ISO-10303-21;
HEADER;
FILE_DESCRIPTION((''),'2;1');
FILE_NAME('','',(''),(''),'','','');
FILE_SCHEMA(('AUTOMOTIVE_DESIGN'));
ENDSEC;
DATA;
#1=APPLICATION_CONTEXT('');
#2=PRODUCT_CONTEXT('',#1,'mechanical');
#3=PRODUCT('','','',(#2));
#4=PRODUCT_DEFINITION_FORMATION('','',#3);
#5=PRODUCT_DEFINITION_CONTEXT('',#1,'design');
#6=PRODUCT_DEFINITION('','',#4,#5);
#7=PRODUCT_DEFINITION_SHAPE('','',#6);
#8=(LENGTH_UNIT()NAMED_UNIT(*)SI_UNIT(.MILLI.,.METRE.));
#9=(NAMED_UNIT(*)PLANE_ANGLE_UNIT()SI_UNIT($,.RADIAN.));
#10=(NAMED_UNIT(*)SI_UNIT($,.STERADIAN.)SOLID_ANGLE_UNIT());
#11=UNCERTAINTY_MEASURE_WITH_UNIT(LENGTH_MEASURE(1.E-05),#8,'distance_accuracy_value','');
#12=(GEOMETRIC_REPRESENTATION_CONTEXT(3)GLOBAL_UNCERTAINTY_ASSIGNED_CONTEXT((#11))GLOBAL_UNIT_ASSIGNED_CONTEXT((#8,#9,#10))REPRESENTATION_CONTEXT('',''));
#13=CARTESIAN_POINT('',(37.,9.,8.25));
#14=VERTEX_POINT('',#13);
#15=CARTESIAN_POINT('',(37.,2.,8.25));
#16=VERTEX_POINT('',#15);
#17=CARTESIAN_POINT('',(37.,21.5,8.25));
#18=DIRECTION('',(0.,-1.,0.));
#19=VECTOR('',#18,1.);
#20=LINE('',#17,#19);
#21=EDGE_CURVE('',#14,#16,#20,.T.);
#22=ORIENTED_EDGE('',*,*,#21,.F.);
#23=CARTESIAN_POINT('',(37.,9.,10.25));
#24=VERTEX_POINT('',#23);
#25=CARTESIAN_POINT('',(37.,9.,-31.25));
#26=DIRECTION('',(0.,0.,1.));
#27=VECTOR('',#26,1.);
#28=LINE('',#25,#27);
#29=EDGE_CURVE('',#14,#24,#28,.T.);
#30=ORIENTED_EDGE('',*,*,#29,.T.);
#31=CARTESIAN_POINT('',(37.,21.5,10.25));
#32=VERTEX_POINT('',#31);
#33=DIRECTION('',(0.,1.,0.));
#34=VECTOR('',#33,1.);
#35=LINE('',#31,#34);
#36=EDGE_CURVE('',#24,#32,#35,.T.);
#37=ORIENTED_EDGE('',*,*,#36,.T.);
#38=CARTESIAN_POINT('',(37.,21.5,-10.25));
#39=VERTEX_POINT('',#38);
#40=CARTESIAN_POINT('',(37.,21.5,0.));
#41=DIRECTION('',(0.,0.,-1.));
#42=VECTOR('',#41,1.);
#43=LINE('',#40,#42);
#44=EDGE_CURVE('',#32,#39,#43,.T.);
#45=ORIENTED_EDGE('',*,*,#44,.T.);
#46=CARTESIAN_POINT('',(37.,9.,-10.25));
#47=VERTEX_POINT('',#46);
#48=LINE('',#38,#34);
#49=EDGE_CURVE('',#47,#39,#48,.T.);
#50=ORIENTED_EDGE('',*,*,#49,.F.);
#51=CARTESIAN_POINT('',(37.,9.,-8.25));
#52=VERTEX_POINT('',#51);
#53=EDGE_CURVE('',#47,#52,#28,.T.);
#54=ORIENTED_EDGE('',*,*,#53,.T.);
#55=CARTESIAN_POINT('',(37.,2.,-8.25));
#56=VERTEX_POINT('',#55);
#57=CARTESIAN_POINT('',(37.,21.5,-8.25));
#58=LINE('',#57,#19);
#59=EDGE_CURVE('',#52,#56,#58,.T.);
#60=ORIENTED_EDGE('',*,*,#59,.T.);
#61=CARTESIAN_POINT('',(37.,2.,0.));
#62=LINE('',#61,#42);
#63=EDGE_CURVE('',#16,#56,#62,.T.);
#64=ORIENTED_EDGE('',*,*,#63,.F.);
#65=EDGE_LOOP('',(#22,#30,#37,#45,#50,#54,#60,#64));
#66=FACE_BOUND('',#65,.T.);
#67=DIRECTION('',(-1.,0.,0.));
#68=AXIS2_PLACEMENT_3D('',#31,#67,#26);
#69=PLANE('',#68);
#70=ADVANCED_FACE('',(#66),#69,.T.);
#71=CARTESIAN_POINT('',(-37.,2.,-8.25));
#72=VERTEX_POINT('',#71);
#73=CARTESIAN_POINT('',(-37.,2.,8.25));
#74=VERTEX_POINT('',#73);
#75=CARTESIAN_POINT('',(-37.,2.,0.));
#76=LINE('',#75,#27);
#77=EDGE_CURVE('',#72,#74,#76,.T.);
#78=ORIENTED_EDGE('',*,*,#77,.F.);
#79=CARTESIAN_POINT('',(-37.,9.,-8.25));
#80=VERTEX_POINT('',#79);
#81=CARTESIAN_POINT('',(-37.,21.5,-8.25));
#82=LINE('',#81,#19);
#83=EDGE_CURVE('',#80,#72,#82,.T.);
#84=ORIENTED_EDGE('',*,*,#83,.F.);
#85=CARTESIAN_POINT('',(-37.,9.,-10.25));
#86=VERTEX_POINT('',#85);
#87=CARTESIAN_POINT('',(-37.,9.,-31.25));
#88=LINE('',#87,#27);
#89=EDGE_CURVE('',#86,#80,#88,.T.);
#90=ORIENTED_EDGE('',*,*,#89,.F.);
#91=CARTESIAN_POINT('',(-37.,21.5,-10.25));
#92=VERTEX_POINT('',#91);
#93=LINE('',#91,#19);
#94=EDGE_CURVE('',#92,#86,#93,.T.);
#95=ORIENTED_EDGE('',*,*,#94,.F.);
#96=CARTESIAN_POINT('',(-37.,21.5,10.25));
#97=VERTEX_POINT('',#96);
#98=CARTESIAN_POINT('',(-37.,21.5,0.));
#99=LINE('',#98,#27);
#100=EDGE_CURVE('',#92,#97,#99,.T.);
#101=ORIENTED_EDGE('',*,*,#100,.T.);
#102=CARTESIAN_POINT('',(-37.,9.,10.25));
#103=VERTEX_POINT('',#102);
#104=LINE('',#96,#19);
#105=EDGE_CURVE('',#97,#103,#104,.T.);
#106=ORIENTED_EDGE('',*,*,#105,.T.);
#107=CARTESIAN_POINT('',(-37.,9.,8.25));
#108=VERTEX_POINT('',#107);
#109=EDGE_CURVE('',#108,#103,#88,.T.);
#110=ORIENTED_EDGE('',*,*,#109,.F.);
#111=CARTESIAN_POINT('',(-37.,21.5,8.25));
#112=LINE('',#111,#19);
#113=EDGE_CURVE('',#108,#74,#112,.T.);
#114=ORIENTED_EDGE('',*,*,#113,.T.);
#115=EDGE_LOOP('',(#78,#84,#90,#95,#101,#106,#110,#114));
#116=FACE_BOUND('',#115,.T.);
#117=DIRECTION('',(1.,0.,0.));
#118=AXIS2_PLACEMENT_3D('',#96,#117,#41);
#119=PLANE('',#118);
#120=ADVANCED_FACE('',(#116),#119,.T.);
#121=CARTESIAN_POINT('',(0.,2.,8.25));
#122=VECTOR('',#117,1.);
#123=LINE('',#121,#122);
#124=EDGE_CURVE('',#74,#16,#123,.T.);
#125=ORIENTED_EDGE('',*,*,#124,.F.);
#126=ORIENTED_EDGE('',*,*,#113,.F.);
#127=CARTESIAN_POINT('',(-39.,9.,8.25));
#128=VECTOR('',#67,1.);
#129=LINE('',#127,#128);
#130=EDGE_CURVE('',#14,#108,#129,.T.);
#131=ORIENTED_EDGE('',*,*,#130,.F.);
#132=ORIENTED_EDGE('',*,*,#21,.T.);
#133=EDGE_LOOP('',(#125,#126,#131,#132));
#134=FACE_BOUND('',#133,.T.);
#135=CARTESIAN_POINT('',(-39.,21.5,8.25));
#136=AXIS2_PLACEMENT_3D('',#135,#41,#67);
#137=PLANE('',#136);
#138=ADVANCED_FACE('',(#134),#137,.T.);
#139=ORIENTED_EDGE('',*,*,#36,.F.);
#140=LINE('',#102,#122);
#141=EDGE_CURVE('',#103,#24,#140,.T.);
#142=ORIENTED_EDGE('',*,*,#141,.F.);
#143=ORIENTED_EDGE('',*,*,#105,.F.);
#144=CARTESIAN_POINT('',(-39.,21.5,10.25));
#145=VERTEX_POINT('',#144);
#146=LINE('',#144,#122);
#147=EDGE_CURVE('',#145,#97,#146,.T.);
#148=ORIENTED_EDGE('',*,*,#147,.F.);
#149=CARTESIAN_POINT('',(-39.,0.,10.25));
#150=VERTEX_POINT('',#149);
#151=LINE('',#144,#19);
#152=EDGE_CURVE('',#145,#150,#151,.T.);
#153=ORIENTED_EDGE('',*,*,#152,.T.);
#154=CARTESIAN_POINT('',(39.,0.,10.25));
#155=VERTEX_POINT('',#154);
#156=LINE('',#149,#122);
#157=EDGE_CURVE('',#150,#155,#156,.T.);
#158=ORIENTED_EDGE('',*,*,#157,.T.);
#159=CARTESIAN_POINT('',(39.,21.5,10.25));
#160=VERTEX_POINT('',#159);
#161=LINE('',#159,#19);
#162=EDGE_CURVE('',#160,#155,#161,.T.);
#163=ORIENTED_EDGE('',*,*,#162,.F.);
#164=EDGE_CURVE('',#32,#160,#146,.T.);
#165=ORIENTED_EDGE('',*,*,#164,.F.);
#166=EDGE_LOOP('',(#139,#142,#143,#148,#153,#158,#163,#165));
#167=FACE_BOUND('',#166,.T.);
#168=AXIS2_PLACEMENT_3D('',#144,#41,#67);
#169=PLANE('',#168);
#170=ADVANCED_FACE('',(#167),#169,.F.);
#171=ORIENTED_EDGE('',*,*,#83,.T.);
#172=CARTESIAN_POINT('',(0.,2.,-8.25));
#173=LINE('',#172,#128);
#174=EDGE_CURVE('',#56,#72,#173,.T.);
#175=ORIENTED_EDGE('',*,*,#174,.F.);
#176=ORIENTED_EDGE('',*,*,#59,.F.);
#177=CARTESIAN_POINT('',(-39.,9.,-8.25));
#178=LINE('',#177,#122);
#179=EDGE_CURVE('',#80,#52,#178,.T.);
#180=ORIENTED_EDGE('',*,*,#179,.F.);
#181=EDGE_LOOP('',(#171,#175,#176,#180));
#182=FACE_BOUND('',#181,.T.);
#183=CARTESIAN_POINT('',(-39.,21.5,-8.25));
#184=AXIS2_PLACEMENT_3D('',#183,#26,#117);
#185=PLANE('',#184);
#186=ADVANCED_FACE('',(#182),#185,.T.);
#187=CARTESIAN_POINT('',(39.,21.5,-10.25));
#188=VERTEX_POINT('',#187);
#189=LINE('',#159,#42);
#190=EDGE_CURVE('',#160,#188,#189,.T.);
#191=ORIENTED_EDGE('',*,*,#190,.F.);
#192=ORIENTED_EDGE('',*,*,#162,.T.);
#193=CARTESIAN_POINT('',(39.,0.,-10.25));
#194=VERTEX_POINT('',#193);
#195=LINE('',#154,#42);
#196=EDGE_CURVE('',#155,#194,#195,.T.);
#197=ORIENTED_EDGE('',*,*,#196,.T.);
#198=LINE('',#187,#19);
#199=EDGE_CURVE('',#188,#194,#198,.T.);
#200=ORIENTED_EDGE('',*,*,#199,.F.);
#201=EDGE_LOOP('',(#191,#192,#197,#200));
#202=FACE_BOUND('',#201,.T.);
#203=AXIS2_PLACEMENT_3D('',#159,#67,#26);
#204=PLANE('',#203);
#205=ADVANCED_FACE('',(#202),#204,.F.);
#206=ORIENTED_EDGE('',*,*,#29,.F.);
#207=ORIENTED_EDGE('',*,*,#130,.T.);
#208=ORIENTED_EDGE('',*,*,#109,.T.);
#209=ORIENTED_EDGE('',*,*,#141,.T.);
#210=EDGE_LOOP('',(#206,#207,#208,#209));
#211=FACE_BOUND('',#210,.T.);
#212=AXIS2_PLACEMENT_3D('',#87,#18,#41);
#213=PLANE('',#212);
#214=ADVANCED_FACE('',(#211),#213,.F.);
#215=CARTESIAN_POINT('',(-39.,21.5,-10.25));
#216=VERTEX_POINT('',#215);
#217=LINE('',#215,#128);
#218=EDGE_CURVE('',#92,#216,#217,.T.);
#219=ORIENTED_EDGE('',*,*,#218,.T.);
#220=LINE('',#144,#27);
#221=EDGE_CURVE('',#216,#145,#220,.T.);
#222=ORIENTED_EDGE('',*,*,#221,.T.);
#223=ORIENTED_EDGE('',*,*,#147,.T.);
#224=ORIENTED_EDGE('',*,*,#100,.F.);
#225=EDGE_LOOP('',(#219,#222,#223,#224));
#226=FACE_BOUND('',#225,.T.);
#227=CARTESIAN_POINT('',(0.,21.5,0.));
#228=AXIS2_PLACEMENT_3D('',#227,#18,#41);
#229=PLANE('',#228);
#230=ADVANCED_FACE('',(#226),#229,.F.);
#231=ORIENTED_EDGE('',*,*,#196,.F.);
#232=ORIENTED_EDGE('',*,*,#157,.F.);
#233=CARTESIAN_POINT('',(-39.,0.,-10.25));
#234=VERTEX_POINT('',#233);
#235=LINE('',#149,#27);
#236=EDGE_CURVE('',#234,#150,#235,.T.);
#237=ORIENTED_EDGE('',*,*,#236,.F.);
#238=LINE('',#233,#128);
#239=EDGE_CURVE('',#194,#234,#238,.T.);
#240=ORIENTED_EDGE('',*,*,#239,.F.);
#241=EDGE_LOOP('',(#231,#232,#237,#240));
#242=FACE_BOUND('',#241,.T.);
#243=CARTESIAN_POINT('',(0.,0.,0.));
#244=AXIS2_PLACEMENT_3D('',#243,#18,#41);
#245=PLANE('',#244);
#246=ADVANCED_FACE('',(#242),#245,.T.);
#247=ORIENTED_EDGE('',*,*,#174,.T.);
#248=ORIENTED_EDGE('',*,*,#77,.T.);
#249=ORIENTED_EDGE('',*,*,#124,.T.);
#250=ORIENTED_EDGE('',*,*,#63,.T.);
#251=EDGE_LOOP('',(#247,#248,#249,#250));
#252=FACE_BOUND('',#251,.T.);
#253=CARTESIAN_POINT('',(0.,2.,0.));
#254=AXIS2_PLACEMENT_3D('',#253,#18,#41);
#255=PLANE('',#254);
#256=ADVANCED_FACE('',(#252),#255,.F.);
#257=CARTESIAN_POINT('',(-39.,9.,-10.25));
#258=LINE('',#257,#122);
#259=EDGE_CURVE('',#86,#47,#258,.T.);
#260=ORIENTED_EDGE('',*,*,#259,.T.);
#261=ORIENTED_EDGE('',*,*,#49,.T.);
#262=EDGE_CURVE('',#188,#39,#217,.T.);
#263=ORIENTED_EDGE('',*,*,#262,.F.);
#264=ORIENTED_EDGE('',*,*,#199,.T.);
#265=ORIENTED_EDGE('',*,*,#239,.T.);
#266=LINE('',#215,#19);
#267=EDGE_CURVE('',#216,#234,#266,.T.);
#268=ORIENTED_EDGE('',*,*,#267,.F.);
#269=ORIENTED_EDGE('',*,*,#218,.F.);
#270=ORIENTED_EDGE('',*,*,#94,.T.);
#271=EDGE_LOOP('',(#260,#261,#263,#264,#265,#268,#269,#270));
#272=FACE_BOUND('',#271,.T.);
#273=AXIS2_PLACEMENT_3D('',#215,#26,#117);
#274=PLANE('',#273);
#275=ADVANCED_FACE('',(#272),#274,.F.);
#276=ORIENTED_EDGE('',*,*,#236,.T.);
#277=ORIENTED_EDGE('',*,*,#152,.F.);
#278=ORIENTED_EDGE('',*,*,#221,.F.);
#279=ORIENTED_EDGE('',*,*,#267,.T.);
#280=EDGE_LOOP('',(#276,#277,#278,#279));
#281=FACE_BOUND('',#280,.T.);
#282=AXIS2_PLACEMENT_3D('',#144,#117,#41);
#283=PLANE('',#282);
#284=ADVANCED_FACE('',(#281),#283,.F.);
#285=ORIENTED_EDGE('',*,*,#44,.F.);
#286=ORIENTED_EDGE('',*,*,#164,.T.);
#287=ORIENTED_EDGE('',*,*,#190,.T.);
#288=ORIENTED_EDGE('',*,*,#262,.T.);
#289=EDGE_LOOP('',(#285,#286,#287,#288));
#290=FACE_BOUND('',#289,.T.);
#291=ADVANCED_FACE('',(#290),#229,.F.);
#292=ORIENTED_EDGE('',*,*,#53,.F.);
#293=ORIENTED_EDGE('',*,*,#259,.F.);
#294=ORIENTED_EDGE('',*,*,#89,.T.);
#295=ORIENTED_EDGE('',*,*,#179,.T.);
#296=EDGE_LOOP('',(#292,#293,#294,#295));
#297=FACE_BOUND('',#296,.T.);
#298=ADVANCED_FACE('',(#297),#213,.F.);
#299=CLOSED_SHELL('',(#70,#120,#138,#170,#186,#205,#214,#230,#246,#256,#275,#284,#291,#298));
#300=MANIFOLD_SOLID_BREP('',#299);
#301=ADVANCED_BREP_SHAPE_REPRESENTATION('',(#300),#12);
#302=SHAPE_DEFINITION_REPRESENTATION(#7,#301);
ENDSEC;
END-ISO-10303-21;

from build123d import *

# Parameters (mm, degrees)
CROQUIS1_W              = 78
CROQUIS1_H              = 20.5
SALIENTE_EXTRUIR1_DEPTH = 21.5
VACIADO1_T              = -2
CROQUIS2_W              = 74
CROQUIS2_H              = 12.5
CORTAR_EXTRUIR1_DEPTH   = 41.5


with BuildPart() as part:
    # Croquis1 → Saliente-Extruir1 (new body)
    with BuildSketch(Plane(origin=(0, 0, 0), x_dir=(1, 0, 0), z_dir=(0, 1, 0))):
        Rectangle(CROQUIS1_W, CROQUIS1_H)
    extrude(amount=SALIENTE_EXTRUIR1_DEPTH)

    # Vaciado1
    vaciado1_openings = [part.faces().sort_by_distance(p)[0] for p in [
        (0, 21.5, 0),
    ]]
    offset(amount=VACIADO1_T, openings=vaciado1_openings, kind=Kind.INTERSECTION)

    # Croquis2 → Cortar-Extruir1 (cut)
    with BuildSketch(Plane.XY.offset(10.25)):
        with Locations((0, 15.25)):
            Rectangle(CROQUIS2_W, CROQUIS2_H)
    extrude(amount=-CORTAR_EXTRUIR1_DEPTH, mode=Mode.SUBTRACT)


solid = part.part
